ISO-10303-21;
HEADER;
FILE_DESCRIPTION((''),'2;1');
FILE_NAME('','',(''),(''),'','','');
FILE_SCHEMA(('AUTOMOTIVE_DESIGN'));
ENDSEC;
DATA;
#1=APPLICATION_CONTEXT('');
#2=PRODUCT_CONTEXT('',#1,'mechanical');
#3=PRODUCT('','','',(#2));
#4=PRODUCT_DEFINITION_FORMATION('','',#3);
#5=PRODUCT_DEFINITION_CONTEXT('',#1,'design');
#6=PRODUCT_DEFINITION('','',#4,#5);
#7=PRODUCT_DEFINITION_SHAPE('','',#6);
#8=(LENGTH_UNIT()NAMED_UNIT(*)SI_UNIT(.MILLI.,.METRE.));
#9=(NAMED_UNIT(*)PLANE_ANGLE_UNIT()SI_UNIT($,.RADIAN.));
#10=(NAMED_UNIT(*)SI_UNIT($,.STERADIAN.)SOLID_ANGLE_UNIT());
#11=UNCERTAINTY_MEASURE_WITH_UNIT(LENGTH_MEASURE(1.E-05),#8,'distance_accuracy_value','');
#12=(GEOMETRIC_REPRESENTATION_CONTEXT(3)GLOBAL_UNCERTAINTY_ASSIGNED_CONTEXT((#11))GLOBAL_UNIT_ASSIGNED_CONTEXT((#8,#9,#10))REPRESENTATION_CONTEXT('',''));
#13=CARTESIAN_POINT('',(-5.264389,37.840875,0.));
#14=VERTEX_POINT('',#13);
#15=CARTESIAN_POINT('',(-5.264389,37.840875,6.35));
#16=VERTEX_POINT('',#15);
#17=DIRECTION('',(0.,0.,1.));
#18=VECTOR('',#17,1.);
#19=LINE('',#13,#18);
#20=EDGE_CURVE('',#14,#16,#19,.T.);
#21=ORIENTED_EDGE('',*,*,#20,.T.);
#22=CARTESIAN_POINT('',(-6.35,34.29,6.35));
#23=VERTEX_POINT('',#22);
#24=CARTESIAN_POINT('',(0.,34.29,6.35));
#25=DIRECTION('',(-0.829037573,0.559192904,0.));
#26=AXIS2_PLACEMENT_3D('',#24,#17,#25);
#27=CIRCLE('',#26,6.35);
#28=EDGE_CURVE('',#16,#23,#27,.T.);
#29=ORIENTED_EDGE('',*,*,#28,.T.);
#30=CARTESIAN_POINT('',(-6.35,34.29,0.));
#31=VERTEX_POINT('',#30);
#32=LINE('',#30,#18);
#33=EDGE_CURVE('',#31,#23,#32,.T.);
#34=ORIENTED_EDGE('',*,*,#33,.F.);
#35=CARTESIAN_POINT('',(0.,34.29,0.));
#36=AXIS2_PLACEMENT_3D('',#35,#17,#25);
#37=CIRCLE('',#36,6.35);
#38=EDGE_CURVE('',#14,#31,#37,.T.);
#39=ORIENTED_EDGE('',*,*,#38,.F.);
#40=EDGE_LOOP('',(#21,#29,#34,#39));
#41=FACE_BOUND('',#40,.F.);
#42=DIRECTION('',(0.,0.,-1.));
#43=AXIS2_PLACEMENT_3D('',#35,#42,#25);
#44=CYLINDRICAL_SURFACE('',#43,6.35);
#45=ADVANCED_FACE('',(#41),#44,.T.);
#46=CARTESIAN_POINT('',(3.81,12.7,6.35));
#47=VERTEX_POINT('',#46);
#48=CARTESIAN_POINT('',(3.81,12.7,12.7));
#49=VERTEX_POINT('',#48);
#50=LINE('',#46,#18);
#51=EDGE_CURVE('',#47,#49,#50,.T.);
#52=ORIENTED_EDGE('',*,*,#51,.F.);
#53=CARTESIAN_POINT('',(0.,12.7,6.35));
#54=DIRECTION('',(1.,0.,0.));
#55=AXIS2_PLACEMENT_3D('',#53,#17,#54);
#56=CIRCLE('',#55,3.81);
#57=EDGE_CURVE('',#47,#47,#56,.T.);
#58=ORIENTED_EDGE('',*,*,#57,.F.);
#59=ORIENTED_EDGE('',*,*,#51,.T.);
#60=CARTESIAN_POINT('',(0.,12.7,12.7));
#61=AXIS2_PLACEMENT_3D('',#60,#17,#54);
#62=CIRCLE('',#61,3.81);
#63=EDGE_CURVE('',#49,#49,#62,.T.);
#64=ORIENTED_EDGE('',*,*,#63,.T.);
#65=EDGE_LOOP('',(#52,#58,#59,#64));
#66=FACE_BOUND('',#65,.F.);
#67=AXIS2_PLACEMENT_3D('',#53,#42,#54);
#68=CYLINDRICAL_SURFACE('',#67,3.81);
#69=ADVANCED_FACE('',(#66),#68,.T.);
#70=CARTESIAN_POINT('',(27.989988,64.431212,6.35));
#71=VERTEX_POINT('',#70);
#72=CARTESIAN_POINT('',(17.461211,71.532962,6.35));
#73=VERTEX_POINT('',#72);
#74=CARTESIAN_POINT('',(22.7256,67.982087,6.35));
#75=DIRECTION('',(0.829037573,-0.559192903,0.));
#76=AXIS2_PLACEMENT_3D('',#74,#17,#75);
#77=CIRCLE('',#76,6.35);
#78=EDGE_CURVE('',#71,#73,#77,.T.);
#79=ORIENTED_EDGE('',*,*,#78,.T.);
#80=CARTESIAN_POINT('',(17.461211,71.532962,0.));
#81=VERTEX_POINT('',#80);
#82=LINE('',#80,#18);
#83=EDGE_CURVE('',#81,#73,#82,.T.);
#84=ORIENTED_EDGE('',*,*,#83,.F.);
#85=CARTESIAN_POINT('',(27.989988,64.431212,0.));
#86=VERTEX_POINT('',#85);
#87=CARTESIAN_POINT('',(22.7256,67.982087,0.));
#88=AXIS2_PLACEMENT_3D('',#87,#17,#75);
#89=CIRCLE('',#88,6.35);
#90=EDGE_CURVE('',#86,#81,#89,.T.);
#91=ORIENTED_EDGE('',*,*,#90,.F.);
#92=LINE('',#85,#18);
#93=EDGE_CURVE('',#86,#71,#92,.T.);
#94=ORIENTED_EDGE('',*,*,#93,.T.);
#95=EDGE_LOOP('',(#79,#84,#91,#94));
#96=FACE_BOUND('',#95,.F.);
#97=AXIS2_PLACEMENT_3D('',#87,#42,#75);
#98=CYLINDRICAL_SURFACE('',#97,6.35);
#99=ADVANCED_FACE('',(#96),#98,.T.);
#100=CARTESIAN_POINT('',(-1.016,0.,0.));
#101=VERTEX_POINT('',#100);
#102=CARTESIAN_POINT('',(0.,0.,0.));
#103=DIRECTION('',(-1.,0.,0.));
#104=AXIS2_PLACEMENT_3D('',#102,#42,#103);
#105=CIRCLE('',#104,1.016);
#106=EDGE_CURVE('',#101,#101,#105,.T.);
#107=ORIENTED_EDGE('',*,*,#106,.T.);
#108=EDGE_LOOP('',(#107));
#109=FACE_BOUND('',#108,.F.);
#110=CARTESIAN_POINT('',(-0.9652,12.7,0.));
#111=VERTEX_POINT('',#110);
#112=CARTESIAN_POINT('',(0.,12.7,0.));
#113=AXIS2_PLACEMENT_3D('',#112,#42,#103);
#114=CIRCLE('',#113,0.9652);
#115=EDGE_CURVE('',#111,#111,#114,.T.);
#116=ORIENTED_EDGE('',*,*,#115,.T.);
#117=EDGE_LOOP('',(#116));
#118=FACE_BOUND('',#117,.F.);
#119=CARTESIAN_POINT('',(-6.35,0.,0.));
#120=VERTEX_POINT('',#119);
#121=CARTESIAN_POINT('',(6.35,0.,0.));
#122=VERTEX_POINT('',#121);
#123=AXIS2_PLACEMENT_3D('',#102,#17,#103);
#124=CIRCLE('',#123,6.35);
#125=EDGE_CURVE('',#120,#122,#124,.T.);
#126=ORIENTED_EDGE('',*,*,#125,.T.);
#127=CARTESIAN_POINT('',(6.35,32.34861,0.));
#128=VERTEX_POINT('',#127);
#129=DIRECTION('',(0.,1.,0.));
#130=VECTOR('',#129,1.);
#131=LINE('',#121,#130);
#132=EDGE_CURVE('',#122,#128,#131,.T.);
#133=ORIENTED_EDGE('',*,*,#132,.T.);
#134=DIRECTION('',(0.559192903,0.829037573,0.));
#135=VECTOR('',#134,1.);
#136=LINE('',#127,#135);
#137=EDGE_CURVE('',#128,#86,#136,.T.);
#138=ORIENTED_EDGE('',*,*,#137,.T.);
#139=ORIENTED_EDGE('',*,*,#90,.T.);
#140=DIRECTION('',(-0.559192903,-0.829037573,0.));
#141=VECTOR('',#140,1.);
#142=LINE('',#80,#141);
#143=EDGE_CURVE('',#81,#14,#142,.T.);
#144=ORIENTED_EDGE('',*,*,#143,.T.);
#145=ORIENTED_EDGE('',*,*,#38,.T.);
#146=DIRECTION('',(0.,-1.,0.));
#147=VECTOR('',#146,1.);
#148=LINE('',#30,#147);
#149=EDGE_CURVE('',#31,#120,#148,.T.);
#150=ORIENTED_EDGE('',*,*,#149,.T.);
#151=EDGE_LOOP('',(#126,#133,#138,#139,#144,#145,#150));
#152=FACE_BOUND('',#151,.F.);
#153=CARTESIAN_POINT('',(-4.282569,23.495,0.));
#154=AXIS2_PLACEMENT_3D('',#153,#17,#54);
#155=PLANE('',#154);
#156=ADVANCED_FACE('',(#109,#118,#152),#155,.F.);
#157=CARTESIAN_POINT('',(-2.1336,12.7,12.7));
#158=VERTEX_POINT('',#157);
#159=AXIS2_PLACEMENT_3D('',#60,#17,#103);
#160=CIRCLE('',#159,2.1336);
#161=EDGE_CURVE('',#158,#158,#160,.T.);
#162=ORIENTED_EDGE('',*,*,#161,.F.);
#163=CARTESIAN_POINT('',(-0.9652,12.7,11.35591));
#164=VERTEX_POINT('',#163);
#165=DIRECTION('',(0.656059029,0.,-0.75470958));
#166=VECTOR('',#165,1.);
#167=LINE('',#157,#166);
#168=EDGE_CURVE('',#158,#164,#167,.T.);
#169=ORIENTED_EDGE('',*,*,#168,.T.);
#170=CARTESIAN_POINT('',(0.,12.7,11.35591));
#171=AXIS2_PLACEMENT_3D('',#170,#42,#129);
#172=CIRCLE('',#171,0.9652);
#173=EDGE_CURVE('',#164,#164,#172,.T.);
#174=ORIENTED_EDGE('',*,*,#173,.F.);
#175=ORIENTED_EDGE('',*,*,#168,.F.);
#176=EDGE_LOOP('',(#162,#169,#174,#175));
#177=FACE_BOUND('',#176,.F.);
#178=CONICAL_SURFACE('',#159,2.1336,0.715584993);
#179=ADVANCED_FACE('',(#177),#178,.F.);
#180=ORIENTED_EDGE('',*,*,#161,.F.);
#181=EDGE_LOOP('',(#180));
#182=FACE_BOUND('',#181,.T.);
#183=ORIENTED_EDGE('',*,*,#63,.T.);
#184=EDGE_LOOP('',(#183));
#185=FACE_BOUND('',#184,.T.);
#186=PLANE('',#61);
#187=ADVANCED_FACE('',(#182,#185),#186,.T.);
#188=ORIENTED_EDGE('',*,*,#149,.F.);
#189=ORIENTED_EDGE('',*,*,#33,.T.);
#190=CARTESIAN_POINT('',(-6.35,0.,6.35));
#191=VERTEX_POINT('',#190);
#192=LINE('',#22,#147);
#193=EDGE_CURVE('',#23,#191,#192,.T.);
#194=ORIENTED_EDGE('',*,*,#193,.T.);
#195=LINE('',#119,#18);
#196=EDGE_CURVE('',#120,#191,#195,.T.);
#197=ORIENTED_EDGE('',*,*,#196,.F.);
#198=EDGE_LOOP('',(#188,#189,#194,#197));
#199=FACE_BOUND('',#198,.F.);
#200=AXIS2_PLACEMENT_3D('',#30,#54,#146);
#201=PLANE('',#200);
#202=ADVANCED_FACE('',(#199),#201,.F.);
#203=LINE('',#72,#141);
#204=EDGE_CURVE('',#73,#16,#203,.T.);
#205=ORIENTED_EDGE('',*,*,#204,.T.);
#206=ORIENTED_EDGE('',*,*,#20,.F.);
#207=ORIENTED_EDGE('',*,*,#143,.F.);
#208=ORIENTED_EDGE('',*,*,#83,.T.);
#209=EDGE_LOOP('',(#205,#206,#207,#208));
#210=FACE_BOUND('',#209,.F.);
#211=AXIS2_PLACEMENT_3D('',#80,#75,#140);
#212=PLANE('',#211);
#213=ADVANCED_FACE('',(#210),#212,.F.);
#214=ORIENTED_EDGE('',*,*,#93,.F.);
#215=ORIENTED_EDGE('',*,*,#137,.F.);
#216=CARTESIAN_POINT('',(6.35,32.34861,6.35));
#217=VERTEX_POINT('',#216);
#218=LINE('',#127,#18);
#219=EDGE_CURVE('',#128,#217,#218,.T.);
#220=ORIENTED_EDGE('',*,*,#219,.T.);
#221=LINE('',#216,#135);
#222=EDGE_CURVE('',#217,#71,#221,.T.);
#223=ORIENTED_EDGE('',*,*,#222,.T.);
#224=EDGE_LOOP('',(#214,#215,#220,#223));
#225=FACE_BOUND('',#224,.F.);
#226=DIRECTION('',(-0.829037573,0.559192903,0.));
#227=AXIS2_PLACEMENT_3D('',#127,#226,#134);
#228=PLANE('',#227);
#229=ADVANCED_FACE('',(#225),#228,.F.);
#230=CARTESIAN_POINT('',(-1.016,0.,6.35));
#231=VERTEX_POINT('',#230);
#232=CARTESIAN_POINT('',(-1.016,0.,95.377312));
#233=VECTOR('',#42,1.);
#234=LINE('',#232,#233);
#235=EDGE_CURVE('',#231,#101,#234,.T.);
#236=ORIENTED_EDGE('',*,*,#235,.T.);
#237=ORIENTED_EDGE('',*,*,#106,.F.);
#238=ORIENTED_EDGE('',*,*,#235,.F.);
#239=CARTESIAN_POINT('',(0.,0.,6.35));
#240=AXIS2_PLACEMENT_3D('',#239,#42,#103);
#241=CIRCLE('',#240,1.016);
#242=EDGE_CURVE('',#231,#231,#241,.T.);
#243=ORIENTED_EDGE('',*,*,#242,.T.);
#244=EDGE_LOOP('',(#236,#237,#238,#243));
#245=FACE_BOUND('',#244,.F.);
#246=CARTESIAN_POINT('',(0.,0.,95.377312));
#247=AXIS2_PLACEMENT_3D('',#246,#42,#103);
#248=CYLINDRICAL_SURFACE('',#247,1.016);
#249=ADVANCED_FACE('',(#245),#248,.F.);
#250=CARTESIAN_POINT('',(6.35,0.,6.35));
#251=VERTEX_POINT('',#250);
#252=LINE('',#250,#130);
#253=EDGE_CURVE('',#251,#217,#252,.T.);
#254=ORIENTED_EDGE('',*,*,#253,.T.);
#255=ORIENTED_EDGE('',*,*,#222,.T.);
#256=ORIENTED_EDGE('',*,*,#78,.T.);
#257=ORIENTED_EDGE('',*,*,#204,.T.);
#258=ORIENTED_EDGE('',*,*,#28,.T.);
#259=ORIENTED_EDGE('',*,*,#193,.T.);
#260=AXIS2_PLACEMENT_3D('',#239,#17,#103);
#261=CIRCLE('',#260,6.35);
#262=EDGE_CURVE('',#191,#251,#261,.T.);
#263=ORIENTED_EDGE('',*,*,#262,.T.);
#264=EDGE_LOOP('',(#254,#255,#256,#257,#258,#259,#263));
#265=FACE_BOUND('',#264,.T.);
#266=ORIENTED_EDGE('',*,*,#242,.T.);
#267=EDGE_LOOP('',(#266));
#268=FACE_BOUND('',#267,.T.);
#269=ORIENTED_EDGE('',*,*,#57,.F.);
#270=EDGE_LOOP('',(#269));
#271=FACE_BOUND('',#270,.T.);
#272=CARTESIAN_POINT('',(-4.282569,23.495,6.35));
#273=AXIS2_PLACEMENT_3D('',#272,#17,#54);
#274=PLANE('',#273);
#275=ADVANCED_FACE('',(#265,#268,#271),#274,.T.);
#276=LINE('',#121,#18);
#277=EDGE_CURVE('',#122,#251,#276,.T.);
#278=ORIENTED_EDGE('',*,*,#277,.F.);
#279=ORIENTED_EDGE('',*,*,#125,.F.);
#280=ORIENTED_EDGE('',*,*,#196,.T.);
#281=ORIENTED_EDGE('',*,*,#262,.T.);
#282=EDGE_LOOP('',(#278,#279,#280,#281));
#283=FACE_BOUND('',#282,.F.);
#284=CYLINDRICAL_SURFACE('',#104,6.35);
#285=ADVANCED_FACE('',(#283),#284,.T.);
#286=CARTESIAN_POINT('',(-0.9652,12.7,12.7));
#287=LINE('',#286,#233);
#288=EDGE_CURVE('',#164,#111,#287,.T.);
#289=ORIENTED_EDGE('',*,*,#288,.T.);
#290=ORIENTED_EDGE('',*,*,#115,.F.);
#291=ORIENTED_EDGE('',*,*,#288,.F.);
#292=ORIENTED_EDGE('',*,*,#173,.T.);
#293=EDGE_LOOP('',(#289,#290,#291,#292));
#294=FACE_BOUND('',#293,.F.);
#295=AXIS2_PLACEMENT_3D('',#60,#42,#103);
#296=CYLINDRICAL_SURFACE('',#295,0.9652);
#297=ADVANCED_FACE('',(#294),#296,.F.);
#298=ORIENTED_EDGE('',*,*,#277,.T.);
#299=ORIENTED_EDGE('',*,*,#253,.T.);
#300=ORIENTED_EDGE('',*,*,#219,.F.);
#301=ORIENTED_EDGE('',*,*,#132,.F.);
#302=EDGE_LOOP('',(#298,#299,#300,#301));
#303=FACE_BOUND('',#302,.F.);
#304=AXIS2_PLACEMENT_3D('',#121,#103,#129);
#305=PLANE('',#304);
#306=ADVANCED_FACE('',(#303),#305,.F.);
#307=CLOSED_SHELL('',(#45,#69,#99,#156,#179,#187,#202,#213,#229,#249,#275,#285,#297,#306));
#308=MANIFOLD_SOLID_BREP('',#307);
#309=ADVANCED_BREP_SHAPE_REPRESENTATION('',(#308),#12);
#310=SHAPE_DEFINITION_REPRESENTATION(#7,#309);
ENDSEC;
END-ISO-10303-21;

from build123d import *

# Parameters (mm, degrees)
F1_DEPTH       = 6.35
F2_R           = 3.81
F3_DEPTH       = 6.35
F5_D           = 1.9304
F5_CSINK_D     = 4.2672
F5_CSINK_ANGLE = 82
F7_D           = 2.032


with BuildPart() as f1:
    # F0 (on Top) → F1 (new body)
    with BuildSketch(Plane.XY):
        with BuildLine():
            Line((-6.35, 34.29), (-6.35, 12.7))
            ThreePointArc((-6.35, 12.7), (-4.4901280605, 17.1901280605), (0, 19.05))
            Line((0, 19.05), (0, 27.94))
            ThreePointArc((0, 27.94), (-4.4901280605, 29.7998719395), (-6.35, 34.29))
        make_face()
        with BuildLine():
            ThreePointArc((0, 19.05), (4.4901280605, 17.1901280605), (6.35, 12.7))
            Line((6.35, 12.7), (6.35, 32.3486101727))
            Line((6.35, 32.3486101727), (5.2643885857, 30.739125063))
            ThreePointArc((5.2643885857, 30.739125063), (2.9811444237, 28.6832827853), (0, 27.94))
            Line((0, 27.94), (0, 19.05))
        make_face()
        with BuildLine():
            ThreePointArc((-5.2643885857, 37.840874937), (-6.0725352004, 36.146560325), (-6.35, 34.29))
            ThreePointArc((-6.35, 34.29), (-4.4901280605, 29.7998719395), (0, 27.94))
            Line((0, 27.94), (0, 34.29))
            Line((0, 34.29), (3.550874937, 39.5543885857))
            ThreePointArc((3.550874937, 39.5543885857), (-1.2116371206, 40.5233326149), (-5.2643885857, 37.840874937))
        make_face()
        with BuildLine():
            Line((5.2643885857, 30.739125063), (6.35, 32.3486101727))
            Line((6.35, 32.3486101727), (6.35, 34.29))
            ThreePointArc((6.35, 34.29), (5.6067172147, 37.2711444237), (3.550874937, 39.5543885857))
            Line((3.550874937, 39.5543885857), (0, 34.29))
            Line((0, 34.29), (0, 27.94))
            ThreePointArc((0, 27.94), (2.9811444237, 28.6832827853), (5.2643885857, 30.739125063))
        make_face()
        with BuildLine():
            Line((6.35, 34.29), (6.35, 32.3486101727))
            Line((6.35, 32.3486101727), (27.9899881828, 64.4312120116))
            ThreePointArc((27.9899881828, 64.4312120116), (26.2764745341, 73.2464755344), (17.4612110113, 71.5329618857))
            Line((17.4612110113, 71.5329618857), (-5.2643885857, 37.840874937))
            ThreePointArc((-5.2643885857, 37.840874937), (-1.2116371206, 40.5233326149), (3.550874937, 39.5543885857))
            ThreePointArc((3.550874937, 39.5543885857), (5.6067172147, 37.2711444237), (6.35, 34.29))
        make_face()
        with BuildLine():
            Line((0, 12.7), (0, 6.35))
            ThreePointArc((0, 6.35), (4.4901280605, 8.2098719395), (6.35, 12.7))
            ThreePointArc((6.35, 12.7), (4.4901280605, 17.1901280605), (0, 19.05))
            Line((0, 19.05), (0, 12.7))
        make_face()
        with BuildLine():
            ThreePointArc((-6.35, 12.7), (-4.4901280605, 8.2098719395), (0, 6.35))
            Line((0, 6.35), (0, 12.7))
            Line((0, 12.7), (0, 19.05))
            ThreePointArc((0, 19.05), (-4.4901280605, 17.1901280605), (-6.35, 12.7))
        make_face()
        with BuildLine():
            ThreePointArc((6.35, 12.7), (4.4901280605, 8.2098719395), (0, 6.35))
            ThreePointArc((0, 6.35), (-4.4901280605, 8.2098719395), (-6.35, 12.7))
            Line((-6.35, 12.7), (-6.35, 0))
            ThreePointArc((-6.35, 0), (0, -6.35), (6.35, 0))
            Line((6.35, 0), (6.35, 12.7))
        make_face()
    extrude(amount=F1_DEPTH)

    # F2 (on face) → F3 (join)
    with BuildSketch(Plane.XY.offset(6.35)):
        with Locations((0, 12.7)):
            Circle(F2_R)
    extrude(amount=F3_DEPTH)

    # F5 (through all)
    with Locations(Plane.XY.offset(12.7)):
        with Locations((0, 12.7)):
            CounterSinkHole(F5_D / 2, F5_CSINK_D / 2, counter_sink_angle=F5_CSINK_ANGLE)

    # F7 (through all)
    with Locations(Plane.XY.offset(6.35)):
        with Locations((0, 0)):
            Hole(F7_D / 2)


solid = f1.part
